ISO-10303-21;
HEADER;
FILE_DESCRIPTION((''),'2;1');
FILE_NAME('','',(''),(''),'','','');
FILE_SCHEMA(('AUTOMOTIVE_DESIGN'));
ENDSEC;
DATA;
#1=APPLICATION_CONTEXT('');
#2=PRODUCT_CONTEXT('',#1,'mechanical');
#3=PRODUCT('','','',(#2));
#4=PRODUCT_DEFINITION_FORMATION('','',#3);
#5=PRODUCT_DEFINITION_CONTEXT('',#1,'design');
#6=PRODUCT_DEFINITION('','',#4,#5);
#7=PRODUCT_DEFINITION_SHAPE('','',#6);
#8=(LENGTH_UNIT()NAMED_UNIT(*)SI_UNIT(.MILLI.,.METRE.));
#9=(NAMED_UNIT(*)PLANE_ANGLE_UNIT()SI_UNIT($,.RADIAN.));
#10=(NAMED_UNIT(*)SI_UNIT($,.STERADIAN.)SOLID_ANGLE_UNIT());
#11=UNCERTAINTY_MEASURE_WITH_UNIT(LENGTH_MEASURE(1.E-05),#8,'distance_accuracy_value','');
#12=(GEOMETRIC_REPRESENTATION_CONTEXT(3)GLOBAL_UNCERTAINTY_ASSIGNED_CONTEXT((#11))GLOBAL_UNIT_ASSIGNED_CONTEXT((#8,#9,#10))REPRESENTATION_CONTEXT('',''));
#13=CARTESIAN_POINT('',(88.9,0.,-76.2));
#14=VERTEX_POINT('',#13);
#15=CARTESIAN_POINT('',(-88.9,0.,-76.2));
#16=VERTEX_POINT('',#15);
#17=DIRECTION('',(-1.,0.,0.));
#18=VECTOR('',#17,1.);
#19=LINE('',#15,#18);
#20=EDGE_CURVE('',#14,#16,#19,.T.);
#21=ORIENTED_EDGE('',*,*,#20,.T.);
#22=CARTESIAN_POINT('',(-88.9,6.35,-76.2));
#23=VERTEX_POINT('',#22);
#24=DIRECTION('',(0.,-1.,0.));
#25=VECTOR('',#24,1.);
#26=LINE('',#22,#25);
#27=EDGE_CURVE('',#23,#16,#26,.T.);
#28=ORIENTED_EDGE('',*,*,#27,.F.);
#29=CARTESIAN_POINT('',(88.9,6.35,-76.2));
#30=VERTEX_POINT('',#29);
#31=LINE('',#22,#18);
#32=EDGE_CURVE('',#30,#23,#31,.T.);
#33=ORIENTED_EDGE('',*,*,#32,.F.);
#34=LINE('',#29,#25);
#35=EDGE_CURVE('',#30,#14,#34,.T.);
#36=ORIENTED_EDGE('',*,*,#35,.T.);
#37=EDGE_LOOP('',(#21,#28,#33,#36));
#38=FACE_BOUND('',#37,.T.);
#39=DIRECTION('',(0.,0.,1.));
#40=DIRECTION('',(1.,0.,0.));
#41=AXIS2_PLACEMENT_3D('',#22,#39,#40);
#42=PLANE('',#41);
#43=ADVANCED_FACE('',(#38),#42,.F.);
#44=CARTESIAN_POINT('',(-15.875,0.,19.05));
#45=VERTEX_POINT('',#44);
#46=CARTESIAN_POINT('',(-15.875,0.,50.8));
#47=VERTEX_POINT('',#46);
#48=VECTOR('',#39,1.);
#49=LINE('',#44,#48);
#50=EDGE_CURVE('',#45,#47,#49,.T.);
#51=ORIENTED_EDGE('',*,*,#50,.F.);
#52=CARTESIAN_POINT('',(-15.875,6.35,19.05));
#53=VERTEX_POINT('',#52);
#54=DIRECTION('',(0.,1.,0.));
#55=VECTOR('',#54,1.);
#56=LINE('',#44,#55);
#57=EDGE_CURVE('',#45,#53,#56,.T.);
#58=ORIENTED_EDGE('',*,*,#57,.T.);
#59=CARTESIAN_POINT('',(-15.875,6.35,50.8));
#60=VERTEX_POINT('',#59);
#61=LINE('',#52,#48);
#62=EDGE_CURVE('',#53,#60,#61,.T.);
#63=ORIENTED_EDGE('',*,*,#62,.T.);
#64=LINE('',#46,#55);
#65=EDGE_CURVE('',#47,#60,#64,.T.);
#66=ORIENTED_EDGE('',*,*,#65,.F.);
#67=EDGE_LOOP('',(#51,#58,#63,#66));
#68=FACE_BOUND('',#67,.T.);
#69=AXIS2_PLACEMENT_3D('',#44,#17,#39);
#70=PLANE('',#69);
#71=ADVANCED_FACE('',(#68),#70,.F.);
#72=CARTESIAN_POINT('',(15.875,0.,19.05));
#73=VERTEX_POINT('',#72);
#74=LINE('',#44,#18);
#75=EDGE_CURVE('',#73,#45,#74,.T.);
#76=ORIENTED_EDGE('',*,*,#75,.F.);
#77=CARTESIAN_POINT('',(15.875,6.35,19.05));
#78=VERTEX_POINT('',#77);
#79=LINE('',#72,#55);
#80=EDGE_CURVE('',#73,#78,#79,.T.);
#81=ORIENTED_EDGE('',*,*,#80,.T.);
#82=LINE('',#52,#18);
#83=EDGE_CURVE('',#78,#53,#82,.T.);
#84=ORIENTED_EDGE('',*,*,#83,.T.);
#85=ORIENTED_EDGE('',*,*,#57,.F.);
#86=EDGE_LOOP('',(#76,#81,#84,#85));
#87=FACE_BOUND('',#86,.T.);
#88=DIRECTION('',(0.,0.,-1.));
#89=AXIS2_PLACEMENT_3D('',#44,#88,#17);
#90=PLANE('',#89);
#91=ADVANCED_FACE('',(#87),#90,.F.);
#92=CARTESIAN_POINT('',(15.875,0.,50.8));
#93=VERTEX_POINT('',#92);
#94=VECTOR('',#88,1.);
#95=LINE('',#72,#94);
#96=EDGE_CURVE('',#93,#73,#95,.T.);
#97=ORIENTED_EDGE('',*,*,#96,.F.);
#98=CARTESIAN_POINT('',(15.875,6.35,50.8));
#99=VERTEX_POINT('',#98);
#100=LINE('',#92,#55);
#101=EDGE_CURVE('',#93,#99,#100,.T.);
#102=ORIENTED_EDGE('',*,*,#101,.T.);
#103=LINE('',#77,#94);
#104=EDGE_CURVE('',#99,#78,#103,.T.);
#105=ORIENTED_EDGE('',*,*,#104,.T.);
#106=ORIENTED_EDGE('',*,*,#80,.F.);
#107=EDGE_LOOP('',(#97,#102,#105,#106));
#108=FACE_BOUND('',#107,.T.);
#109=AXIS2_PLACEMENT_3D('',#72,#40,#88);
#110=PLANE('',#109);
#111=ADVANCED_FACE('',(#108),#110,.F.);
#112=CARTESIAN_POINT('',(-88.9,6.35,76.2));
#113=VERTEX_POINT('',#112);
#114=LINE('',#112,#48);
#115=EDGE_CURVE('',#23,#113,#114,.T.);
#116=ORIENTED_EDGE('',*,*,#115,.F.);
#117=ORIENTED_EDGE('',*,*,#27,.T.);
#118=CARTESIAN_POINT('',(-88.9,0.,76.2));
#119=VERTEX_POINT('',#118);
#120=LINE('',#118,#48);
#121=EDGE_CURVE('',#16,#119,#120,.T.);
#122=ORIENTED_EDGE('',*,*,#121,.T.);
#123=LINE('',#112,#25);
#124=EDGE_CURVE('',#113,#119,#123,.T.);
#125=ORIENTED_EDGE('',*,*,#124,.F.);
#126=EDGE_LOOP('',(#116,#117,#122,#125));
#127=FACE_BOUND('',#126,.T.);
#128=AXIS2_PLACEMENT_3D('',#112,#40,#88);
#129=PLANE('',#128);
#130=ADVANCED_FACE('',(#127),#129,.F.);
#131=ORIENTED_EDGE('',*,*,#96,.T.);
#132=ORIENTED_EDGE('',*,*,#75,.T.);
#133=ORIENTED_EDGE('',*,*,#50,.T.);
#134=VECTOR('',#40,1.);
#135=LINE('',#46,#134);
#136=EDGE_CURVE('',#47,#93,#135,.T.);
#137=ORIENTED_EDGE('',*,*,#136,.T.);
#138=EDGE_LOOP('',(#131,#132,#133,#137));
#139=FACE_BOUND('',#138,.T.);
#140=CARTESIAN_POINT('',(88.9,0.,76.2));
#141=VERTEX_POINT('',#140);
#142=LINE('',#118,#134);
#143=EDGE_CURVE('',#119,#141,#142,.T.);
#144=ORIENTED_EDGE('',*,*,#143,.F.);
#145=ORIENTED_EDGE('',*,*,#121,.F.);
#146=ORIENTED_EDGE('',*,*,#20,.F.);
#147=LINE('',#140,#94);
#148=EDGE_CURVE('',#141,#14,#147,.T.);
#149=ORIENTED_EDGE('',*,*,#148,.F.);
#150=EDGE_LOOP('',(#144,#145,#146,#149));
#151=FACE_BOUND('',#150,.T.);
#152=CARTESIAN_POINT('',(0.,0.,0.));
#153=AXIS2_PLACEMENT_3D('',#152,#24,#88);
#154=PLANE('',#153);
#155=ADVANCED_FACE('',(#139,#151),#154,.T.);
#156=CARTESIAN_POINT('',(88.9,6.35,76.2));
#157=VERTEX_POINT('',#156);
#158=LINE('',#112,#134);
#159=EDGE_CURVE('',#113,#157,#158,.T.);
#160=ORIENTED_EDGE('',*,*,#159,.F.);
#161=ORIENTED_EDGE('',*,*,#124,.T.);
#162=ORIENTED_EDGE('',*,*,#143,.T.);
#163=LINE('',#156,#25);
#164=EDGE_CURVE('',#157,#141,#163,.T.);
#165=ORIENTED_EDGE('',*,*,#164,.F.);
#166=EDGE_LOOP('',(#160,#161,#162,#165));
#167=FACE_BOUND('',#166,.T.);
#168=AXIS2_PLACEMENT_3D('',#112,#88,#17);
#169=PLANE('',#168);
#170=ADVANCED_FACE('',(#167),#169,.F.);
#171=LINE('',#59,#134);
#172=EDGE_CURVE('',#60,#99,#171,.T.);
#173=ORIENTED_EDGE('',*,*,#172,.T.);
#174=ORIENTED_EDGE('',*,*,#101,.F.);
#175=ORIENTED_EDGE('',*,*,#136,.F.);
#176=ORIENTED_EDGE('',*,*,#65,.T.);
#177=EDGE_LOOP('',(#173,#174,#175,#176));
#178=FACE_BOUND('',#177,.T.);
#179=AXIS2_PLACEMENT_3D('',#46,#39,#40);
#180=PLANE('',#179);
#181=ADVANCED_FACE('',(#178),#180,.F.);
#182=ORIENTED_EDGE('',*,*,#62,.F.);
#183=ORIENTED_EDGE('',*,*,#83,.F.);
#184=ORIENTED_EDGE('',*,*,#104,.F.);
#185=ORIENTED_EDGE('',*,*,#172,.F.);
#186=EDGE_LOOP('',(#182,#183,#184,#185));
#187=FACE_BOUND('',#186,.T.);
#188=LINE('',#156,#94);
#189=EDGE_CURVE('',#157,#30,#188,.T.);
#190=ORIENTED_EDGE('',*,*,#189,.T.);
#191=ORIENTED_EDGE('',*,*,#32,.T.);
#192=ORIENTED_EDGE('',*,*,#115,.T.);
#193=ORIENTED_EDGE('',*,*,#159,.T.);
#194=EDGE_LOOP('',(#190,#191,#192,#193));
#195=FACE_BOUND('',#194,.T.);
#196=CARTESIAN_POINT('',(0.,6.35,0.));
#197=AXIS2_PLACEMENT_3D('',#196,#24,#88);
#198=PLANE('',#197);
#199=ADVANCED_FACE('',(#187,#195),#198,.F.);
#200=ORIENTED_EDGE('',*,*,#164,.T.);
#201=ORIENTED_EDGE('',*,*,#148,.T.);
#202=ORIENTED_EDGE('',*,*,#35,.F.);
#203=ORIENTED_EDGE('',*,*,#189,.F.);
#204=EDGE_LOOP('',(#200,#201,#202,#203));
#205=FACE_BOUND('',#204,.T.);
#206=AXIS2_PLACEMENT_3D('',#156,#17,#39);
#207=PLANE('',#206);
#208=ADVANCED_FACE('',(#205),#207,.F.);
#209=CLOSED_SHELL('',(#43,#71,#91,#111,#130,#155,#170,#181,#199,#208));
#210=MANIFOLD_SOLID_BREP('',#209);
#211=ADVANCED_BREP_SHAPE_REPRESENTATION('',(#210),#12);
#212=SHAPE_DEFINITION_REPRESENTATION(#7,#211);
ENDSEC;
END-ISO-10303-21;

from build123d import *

# Parameters (mm, degrees)
SKETCH1_W           = 177.8
SKETCH1_H           = 152.4
BOSS_EXTRUDE1_DEPTH = 6.35
SKETCH2_W           = 31.75
SKETCH2_H           = 31.75
CUT_EXTRUDE1_DEPTH  = 118.260276735


with BuildPart() as part:
    # Sketch1 → Boss-Extrude1 (new body)
    with BuildSketch(Plane(origin=(0, 0, 0), x_dir=(1, 0, 0), z_dir=(0, 1, 0))):
        Rectangle(SKETCH1_W, SKETCH1_H)
    extrude(amount=BOSS_EXTRUDE1_DEPTH)

    # Sketch2 → Cut-Extrude1 (cut, through all)
    with BuildSketch(Plane(origin=(0, 6.35, 0), x_dir=(1, 0, 0), z_dir=(0, 1, 0))):
        with Locations((0, -34.925)):
            Rectangle(SKETCH2_W, SKETCH2_H)
    extrude(amount=-CUT_EXTRUDE1_DEPTH, mode=Mode.SUBTRACT)


solid = part.part
